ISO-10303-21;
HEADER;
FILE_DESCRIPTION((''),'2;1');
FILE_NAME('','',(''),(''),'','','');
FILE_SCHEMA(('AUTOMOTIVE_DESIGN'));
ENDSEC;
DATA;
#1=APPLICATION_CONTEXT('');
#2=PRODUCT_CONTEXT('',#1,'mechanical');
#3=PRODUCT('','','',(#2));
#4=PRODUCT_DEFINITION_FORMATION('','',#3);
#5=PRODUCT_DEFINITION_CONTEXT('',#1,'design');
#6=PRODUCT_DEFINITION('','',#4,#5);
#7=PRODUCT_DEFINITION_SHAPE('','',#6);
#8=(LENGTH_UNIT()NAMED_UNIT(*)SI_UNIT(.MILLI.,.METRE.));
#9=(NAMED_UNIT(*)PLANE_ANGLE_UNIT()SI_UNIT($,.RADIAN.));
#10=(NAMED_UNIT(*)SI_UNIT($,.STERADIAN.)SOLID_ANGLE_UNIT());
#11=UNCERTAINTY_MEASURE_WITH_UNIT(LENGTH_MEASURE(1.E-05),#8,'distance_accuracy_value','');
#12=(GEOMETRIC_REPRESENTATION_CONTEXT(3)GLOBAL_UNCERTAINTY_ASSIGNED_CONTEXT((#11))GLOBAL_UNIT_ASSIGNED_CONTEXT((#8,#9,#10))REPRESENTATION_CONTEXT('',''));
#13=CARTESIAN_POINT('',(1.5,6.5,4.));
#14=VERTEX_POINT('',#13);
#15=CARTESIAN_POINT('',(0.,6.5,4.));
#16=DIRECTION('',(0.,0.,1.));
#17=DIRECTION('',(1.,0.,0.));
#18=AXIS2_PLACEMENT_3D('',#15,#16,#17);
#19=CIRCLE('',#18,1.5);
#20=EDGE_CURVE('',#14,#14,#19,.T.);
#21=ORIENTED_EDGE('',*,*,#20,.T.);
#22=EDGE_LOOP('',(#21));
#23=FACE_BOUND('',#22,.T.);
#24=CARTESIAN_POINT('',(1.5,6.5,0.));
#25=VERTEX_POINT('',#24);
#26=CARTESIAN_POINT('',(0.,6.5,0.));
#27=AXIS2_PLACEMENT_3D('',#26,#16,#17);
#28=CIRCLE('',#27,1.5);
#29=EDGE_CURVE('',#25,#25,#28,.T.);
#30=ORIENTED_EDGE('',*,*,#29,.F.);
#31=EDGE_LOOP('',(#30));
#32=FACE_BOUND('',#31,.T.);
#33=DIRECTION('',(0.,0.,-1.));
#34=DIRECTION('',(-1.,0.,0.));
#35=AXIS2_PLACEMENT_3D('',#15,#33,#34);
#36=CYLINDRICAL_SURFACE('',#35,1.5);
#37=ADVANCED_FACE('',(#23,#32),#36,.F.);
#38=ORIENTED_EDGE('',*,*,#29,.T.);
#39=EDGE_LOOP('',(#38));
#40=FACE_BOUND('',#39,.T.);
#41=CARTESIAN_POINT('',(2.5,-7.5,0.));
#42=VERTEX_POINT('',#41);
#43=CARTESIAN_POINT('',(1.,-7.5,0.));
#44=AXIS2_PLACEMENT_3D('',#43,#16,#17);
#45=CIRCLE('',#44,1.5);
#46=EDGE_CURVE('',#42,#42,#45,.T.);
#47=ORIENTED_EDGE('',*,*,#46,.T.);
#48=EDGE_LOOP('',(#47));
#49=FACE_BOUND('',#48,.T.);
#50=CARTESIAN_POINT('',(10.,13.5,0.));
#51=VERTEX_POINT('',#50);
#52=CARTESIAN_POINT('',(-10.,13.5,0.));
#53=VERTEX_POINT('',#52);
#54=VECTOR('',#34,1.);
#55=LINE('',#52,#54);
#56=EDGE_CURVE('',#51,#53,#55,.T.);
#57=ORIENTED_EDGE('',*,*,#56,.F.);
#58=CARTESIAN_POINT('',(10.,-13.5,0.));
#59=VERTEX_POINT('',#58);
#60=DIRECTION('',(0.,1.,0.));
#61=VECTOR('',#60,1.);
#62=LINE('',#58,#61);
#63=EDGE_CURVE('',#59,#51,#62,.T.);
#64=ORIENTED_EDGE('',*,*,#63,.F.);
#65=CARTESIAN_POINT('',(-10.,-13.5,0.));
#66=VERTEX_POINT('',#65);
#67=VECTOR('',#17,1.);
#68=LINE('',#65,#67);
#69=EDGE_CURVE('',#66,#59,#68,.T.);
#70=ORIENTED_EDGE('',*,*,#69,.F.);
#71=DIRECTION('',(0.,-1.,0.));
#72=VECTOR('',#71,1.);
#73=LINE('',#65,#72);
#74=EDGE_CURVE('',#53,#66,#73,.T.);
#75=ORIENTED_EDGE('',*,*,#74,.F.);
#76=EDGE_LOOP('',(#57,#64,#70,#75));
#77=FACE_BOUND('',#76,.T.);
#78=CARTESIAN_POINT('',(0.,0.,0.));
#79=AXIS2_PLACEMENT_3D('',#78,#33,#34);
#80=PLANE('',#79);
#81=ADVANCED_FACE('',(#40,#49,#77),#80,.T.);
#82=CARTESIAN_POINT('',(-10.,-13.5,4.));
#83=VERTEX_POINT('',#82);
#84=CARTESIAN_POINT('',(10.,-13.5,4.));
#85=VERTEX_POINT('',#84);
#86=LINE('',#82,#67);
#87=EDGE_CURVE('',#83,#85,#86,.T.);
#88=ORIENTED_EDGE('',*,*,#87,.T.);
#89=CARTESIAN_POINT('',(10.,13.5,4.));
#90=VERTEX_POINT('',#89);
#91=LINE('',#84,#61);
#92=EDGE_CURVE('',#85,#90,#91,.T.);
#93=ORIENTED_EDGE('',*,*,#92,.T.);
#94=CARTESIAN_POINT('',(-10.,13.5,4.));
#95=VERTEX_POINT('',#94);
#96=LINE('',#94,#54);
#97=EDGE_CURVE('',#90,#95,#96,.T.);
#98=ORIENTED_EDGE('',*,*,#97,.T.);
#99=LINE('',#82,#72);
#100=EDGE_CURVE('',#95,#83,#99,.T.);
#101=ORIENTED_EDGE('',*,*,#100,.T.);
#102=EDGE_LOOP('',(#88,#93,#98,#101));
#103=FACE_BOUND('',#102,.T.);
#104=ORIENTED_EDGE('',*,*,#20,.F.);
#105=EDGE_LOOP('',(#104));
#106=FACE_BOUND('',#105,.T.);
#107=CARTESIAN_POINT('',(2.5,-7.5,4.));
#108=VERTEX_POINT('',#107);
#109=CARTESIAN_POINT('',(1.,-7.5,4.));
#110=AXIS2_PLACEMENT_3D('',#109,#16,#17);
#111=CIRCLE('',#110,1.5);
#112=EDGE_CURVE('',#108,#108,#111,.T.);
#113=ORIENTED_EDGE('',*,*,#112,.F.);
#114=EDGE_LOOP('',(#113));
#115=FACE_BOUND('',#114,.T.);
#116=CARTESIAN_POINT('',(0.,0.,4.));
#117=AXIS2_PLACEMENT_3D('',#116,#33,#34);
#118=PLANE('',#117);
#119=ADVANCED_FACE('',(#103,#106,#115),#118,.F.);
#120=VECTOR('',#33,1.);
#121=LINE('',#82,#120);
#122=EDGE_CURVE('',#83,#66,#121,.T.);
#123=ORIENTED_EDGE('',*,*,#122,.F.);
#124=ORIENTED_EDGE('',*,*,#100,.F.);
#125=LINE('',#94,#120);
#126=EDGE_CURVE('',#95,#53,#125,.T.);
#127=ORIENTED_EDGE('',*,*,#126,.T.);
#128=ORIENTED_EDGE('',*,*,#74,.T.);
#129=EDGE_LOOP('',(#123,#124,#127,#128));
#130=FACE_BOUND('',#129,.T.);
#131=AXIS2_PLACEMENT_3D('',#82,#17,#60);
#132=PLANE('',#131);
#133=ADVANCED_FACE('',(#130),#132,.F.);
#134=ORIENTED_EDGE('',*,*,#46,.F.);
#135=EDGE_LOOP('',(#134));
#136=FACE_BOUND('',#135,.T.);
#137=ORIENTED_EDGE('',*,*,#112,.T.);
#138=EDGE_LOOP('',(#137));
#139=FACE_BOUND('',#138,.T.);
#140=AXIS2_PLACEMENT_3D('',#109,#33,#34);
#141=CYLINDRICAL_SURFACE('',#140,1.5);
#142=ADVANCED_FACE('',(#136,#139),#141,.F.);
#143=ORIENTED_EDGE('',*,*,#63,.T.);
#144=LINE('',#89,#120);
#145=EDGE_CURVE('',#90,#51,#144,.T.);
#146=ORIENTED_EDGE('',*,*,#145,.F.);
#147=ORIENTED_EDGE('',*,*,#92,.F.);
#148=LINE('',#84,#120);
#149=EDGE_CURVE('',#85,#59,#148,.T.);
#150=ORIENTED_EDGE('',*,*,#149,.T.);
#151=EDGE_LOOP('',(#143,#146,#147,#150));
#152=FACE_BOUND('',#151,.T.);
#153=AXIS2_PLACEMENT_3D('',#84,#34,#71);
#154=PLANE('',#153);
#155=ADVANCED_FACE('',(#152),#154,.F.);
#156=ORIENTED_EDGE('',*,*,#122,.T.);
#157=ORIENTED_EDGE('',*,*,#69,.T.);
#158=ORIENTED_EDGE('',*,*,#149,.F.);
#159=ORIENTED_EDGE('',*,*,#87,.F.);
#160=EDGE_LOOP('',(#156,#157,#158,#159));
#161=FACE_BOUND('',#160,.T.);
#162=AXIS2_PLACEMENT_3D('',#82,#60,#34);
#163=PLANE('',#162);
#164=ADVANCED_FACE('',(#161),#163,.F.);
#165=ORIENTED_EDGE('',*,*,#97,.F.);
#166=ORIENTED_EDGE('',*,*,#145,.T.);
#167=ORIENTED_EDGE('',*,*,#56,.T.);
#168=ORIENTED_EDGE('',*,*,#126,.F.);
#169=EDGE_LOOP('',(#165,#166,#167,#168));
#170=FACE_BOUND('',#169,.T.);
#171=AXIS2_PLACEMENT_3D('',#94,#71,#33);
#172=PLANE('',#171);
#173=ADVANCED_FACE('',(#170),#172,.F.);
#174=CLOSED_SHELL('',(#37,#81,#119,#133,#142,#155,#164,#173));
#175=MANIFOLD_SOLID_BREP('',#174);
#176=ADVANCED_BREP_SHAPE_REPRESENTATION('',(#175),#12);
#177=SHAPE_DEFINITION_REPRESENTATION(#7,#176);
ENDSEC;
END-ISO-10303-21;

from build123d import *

# Parameters (mm, degrees)
SKETCH_1_W      = 20
SKETCH_1_H      = 27
SKETCH_1_R      = 1.5
EXTRUDE_1_DEPTH = 4


with BuildPart() as part:
    # 草图1 → 凸台-拉伸1 (new body)
    with BuildSketch(Plane.XY):
        Rectangle(SKETCH_1_W, SKETCH_1_H)
        with Locations((1, -7.5)):
            Circle(SKETCH_1_R, mode=Mode.SUBTRACT)
        with Locations((0, 6.5)):
            Circle(SKETCH_1_R, mode=Mode.SUBTRACT)
    extrude(amount=EXTRUDE_1_DEPTH)


solid = part.part
